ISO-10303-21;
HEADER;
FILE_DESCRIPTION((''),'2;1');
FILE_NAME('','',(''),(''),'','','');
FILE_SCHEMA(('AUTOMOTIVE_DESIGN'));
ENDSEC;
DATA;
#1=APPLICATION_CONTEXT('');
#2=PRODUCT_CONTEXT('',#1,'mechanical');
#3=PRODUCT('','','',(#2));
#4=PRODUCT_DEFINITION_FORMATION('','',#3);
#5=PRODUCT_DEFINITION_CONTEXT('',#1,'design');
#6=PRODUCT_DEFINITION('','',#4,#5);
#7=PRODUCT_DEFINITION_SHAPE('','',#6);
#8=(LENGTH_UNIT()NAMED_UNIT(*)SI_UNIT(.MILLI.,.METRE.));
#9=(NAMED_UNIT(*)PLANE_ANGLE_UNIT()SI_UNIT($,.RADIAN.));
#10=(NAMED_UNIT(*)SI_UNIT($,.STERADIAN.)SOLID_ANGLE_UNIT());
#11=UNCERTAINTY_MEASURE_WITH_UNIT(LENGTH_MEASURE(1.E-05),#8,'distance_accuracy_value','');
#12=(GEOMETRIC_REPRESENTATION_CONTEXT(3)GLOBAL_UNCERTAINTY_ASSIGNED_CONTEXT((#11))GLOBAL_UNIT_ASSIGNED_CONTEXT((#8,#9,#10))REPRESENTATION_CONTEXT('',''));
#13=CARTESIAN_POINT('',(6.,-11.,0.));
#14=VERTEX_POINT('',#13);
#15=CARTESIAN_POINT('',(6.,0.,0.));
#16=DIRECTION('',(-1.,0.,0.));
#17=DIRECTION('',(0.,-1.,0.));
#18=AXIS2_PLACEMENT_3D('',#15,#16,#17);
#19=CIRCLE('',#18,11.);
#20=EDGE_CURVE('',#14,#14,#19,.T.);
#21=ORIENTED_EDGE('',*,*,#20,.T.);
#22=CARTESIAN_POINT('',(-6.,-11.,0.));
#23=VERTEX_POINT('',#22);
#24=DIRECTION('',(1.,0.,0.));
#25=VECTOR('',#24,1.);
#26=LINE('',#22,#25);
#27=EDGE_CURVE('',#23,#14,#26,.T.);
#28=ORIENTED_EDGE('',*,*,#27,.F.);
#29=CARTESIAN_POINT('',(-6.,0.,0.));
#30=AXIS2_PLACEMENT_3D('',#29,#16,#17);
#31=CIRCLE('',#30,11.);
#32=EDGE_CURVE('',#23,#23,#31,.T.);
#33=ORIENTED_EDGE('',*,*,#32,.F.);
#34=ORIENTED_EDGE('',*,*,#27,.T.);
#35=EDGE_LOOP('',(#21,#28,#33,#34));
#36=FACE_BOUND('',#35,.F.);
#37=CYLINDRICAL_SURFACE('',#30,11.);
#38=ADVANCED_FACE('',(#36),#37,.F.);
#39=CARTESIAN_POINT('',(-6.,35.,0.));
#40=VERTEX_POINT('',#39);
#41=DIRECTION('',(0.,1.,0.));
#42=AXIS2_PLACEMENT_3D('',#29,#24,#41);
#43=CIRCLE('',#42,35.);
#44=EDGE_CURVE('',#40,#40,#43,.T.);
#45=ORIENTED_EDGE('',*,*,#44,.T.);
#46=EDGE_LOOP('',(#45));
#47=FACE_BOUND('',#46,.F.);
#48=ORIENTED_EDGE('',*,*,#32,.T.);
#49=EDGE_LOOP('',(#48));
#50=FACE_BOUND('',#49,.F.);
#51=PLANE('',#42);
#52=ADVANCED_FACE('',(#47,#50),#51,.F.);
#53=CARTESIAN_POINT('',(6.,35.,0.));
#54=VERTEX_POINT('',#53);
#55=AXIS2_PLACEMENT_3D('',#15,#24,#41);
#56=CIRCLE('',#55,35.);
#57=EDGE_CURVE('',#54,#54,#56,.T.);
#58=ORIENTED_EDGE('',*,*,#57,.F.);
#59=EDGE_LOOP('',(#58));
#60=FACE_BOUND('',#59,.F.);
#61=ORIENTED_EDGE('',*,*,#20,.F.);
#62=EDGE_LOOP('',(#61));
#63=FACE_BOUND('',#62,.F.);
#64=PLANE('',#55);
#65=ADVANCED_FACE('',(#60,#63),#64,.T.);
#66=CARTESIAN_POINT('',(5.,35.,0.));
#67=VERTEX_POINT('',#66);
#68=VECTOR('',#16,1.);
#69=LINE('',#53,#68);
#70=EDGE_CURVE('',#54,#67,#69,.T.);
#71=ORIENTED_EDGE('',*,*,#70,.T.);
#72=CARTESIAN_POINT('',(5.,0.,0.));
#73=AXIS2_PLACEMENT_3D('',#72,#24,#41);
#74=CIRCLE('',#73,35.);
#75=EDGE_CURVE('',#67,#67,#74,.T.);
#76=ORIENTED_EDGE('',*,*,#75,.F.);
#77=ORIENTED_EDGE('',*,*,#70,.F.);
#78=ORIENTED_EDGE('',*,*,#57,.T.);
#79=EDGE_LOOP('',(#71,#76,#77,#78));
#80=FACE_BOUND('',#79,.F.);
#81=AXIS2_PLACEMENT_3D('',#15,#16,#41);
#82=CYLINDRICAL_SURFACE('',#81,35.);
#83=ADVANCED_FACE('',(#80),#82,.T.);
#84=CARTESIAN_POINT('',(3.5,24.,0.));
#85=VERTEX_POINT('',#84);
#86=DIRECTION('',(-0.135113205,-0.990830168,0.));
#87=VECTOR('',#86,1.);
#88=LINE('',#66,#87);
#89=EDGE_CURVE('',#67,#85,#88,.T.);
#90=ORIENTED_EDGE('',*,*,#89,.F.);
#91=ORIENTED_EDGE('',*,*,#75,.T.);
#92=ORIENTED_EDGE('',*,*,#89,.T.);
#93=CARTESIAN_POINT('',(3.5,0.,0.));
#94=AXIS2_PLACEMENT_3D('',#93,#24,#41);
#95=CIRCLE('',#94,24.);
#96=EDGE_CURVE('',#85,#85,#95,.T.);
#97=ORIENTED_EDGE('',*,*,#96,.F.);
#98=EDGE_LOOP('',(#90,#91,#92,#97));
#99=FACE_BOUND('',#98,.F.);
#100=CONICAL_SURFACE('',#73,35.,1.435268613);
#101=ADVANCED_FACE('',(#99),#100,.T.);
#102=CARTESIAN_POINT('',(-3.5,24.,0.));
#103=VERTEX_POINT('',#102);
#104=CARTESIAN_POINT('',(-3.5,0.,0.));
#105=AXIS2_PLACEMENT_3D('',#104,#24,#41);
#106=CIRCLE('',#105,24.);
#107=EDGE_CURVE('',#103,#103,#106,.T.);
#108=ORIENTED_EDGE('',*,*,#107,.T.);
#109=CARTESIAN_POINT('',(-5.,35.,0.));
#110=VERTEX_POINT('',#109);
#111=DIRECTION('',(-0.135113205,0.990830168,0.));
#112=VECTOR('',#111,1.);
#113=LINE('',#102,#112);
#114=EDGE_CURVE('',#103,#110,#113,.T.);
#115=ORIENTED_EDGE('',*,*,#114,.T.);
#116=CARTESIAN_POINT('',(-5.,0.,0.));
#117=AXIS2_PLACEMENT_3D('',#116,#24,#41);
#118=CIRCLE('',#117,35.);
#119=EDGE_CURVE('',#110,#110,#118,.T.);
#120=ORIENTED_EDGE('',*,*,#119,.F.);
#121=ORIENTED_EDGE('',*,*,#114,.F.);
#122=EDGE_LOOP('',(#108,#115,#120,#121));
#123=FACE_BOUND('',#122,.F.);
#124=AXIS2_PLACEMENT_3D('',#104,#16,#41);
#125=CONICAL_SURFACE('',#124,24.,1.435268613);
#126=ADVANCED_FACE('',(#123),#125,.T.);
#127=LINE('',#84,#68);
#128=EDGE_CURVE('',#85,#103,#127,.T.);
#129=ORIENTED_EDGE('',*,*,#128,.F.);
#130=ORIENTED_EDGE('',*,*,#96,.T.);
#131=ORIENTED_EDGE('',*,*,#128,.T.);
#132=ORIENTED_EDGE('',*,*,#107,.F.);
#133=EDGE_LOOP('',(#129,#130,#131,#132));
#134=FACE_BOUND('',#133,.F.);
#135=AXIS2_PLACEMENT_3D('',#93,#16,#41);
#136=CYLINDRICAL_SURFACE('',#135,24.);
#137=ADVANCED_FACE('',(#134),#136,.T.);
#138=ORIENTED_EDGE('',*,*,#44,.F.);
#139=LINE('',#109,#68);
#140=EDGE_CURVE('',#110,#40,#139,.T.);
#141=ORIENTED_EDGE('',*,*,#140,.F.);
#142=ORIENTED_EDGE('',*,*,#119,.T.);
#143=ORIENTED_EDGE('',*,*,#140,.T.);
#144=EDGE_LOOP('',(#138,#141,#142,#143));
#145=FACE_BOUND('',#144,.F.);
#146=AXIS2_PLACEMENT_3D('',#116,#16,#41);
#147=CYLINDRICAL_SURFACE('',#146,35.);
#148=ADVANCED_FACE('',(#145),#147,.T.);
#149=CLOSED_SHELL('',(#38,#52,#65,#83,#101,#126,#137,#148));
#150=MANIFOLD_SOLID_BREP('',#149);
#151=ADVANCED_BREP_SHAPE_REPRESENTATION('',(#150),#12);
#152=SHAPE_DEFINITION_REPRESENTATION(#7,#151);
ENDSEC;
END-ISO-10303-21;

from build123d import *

# Parameters (mm, degrees)
SKETCH001_R  = 11
POCKET_DEPTH = 12.001


with BuildPart() as part:
    # Sketch → Revolution (revolve)
    with BuildSketch(Plane.XY):
        Polygon((-6, 0), (6, 0), (6, 35), (5, 35), (3.5, 24), (-3.5, 24), (-5, 35), (-6, 35), align=None)
    revolve(axis=Axis((0, 0, 0), (1, 0, 0)))

    # Sketch001 (on Face1 of Revolution) → Pocket (cut, through all)
    with BuildSketch(Plane(origin=(-6, 0, 0), x_dir=(0, -1, 0), z_dir=(-1, 0, 0))):
        Circle(SKETCH001_R)
    extrude(amount=-POCKET_DEPTH, mode=Mode.SUBTRACT)


solid = part.part
